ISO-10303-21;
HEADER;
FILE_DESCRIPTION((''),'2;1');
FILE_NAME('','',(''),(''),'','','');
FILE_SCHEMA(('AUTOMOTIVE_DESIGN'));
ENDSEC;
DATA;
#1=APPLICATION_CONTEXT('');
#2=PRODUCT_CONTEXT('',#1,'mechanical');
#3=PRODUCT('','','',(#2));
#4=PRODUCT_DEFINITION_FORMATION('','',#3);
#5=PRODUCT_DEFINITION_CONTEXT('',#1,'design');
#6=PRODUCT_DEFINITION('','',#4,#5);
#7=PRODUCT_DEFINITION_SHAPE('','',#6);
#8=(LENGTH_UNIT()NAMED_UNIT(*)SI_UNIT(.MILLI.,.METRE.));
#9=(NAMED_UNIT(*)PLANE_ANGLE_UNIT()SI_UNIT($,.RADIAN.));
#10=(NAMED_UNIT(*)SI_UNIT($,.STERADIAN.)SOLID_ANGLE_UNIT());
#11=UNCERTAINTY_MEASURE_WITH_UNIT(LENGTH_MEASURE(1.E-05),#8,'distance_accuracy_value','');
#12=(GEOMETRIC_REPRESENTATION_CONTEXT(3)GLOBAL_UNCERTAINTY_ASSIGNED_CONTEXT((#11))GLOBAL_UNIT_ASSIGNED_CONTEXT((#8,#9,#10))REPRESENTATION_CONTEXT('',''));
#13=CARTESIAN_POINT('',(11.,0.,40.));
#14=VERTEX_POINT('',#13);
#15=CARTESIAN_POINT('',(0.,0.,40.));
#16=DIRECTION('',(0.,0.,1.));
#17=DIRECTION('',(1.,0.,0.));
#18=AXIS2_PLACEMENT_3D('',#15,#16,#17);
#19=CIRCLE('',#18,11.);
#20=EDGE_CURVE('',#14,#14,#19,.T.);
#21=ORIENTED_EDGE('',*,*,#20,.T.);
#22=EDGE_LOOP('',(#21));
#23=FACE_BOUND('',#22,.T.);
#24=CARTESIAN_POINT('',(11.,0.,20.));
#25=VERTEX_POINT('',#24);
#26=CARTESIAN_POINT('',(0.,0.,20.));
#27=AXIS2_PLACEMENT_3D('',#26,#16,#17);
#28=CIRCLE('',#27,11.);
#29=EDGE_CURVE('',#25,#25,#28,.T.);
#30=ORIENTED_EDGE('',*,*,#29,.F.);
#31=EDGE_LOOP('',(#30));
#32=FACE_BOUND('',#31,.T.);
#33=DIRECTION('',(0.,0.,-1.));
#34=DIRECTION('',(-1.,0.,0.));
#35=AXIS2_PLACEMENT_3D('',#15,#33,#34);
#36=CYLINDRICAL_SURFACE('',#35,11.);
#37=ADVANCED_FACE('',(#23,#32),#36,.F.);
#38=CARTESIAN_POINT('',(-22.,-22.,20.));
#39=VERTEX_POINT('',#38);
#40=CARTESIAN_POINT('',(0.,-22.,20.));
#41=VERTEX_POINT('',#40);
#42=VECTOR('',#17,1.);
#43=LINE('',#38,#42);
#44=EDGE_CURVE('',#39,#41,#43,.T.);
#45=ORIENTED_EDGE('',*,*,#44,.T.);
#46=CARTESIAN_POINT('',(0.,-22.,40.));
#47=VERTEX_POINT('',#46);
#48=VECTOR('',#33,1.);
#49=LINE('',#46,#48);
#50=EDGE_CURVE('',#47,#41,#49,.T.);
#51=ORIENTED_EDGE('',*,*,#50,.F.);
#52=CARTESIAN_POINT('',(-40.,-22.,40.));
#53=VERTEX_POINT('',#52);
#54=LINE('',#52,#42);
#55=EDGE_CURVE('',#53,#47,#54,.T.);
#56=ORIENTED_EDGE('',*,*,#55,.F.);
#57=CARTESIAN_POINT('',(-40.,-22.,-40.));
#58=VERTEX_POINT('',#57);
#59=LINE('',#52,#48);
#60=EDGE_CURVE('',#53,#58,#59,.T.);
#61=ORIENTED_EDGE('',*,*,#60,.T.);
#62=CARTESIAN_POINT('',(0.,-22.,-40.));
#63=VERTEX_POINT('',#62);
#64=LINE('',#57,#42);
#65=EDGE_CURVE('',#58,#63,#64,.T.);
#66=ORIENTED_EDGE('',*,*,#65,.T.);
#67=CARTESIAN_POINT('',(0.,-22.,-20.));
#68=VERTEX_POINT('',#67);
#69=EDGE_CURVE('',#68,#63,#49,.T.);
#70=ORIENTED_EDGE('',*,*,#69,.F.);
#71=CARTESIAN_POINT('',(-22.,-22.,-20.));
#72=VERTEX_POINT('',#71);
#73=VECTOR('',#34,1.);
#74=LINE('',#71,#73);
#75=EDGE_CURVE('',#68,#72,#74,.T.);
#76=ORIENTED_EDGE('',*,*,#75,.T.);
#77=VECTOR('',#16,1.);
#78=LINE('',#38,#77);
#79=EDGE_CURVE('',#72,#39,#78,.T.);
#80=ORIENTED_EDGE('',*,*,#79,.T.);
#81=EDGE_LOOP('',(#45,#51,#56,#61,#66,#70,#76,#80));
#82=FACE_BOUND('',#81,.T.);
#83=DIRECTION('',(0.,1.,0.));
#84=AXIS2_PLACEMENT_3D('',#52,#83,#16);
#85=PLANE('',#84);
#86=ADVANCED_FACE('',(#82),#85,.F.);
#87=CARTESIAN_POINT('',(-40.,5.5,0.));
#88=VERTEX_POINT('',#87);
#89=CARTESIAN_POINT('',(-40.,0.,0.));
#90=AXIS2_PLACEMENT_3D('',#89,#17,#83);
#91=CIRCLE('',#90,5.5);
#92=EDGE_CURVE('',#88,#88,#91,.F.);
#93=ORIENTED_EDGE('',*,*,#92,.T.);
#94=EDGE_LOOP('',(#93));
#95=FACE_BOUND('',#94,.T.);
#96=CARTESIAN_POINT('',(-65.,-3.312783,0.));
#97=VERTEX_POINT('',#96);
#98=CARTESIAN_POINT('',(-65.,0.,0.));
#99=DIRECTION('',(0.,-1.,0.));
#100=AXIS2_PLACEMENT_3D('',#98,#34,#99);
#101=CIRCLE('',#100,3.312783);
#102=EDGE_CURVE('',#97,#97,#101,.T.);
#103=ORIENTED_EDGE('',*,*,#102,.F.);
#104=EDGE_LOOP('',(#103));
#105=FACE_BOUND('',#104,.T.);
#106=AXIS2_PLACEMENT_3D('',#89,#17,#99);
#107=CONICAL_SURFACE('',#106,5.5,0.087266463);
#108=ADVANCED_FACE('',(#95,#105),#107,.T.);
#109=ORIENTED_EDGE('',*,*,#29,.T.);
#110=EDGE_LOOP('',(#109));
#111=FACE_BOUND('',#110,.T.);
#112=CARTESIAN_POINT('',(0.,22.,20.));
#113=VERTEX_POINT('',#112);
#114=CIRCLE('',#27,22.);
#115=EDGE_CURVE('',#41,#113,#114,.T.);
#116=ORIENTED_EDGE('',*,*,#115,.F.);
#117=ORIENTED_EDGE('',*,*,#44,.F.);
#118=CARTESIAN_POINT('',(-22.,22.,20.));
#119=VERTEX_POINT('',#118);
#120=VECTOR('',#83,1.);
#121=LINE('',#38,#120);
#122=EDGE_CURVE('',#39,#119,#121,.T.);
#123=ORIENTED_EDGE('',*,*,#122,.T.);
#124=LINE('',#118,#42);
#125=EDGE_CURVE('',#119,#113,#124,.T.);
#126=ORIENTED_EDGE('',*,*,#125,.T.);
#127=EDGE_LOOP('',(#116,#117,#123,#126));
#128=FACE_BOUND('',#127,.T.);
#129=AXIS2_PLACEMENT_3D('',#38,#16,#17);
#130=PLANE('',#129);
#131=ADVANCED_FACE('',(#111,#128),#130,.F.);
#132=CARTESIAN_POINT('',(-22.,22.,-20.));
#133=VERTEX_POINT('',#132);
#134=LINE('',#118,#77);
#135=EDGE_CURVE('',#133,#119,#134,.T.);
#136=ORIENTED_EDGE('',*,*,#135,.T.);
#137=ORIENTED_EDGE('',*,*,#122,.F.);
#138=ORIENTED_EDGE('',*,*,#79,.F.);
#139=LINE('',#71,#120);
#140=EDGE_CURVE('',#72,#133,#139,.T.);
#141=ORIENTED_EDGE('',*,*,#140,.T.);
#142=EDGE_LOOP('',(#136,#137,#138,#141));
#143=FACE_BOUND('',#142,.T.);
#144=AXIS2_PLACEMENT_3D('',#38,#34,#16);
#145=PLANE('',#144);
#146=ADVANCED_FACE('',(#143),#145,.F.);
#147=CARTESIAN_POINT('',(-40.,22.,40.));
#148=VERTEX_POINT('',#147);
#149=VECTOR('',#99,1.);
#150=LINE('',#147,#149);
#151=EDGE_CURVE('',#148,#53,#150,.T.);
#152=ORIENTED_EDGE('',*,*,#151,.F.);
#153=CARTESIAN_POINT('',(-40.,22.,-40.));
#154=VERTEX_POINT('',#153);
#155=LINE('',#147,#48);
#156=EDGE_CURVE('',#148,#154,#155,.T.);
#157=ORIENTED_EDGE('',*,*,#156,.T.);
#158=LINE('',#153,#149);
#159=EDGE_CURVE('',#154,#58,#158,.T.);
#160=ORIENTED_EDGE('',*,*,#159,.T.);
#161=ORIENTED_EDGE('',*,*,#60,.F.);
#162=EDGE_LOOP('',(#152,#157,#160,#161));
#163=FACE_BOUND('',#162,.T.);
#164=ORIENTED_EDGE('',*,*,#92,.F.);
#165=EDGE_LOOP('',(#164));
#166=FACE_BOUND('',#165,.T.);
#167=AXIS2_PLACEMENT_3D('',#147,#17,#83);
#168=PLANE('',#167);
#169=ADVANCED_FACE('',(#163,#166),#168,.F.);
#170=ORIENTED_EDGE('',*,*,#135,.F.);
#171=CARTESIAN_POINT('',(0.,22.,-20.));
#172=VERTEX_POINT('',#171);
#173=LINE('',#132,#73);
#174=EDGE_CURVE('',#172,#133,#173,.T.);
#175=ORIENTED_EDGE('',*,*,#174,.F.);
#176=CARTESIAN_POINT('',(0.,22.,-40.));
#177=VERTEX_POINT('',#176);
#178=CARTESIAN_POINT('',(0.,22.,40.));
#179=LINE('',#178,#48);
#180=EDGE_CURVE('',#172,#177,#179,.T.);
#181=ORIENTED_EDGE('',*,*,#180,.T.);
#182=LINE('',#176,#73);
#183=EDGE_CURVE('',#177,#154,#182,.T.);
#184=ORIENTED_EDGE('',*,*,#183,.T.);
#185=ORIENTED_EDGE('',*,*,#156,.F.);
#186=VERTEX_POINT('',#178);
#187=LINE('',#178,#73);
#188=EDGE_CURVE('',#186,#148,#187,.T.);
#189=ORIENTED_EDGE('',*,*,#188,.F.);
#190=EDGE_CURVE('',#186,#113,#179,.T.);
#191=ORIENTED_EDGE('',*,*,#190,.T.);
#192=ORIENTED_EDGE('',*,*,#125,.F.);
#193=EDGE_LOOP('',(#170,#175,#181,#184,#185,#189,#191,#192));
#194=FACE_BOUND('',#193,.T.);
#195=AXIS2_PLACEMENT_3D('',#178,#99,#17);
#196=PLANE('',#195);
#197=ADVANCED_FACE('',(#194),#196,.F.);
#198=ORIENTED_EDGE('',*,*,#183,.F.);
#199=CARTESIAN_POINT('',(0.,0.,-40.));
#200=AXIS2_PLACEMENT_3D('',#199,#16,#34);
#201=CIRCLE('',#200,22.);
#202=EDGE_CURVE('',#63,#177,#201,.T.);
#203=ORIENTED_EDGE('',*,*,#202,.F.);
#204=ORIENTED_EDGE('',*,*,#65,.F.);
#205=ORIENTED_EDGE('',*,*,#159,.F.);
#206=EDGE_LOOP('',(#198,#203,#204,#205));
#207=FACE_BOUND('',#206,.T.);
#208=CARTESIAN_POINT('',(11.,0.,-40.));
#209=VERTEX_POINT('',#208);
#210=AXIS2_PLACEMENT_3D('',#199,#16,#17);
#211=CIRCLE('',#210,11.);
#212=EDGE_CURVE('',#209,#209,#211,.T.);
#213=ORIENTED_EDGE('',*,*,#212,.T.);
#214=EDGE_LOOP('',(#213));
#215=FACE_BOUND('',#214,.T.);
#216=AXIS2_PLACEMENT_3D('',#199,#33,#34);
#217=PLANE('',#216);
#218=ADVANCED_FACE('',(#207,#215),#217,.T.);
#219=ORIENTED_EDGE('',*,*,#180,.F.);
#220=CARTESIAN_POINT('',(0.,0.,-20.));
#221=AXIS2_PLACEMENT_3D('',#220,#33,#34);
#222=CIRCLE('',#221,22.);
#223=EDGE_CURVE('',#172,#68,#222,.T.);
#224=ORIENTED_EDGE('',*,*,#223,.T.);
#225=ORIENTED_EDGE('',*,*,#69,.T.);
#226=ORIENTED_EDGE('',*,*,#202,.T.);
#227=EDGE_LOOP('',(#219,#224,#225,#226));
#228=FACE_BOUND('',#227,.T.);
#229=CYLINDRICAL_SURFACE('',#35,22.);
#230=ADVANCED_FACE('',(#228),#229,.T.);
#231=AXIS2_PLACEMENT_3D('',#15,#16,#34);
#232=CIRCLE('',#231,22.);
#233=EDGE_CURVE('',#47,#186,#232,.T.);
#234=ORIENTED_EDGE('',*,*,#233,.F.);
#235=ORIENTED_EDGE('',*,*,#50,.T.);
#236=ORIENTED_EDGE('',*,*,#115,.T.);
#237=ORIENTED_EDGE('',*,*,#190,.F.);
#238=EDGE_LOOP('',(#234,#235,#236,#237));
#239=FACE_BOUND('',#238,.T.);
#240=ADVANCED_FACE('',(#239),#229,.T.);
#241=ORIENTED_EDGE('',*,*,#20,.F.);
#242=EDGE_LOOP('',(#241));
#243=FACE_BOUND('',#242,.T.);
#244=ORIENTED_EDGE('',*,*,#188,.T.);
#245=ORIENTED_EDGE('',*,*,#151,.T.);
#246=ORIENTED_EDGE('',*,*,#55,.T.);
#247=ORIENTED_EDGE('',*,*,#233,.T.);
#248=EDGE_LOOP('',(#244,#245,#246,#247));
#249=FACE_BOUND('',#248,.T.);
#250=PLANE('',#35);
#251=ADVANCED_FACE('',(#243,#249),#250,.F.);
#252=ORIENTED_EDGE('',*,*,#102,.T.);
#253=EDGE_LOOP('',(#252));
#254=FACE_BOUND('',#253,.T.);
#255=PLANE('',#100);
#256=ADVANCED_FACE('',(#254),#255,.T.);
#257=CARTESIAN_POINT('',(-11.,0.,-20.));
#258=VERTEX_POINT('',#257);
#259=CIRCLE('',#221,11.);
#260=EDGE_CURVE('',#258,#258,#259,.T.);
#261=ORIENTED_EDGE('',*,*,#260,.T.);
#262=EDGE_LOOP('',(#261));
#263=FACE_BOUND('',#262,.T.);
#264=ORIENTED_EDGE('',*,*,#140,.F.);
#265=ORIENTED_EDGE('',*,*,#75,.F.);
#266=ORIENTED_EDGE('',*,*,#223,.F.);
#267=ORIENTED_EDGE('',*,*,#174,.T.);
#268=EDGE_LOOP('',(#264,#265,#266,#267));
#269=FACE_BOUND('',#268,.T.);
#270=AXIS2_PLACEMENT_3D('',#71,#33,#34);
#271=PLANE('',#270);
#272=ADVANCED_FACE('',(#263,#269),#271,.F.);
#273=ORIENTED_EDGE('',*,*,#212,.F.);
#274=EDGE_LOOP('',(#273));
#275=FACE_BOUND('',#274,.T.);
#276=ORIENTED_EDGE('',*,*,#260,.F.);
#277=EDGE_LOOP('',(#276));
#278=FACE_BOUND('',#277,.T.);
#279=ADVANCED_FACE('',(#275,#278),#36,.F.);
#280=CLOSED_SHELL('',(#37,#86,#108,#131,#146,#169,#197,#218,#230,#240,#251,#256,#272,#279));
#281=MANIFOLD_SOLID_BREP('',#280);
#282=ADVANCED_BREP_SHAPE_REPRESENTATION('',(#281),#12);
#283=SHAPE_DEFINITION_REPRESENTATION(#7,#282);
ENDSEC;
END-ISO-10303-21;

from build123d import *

# Parameters (mm, degrees)
SKETCH2_R               = 11
BOSS_EXTRUDE1_DEPTH     = 40
CUT_EXTRUDE1_DEPTH      = 61.695963622
CUT_EXTRUDE1_DEPTH_BACK = 61.695963622
SKETCH3_W               = 44
SKETCH3_H               = 40
SKETCH4_R               = 5.5
BOSS_EXTRUDE2_DEPTH     = 25
BOSS_EXTRUDE2_TAPER     = 5


with BuildPart() as part:
    # Sketch2 → Boss-Extrude1 (new, symmetric)
    with BuildSketch(Plane.XY):
        with BuildLine():
            Line((0, 22), (-40, 22))
            Line((-40, 22), (-40, -22))
            Line((-40, -22), (0, -22))
            ThreePointArc((0, -22), (22, 0), (0, 22))
        make_face()
        Circle(SKETCH2_R, mode=Mode.SUBTRACT)
    extrude(amount=BOSS_EXTRUDE1_DEPTH, both=True)

    # Sketch3 → Cut-Extrude1 (cut, two sides: drawn at the far end of the back side and taken through both)
    with BuildSketch(Plane(origin=(0, 0, 0), x_dir=(1, 0, 0), z_dir=(0, 1, 0)).offset(-CUT_EXTRUDE1_DEPTH_BACK)):
        Rectangle(SKETCH3_W, SKETCH3_H)
    extrude(amount=CUT_EXTRUDE1_DEPTH + CUT_EXTRUDE1_DEPTH_BACK, mode=Mode.SUBTRACT)

    # Sketch4 → Boss-Extrude2 (add)
    with BuildSketch(Plane.ZY.offset(40)):
        Circle(SKETCH4_R)
    extrude(amount=BOSS_EXTRUDE2_DEPTH, taper=BOSS_EXTRUDE2_TAPER)


solid = part.part
